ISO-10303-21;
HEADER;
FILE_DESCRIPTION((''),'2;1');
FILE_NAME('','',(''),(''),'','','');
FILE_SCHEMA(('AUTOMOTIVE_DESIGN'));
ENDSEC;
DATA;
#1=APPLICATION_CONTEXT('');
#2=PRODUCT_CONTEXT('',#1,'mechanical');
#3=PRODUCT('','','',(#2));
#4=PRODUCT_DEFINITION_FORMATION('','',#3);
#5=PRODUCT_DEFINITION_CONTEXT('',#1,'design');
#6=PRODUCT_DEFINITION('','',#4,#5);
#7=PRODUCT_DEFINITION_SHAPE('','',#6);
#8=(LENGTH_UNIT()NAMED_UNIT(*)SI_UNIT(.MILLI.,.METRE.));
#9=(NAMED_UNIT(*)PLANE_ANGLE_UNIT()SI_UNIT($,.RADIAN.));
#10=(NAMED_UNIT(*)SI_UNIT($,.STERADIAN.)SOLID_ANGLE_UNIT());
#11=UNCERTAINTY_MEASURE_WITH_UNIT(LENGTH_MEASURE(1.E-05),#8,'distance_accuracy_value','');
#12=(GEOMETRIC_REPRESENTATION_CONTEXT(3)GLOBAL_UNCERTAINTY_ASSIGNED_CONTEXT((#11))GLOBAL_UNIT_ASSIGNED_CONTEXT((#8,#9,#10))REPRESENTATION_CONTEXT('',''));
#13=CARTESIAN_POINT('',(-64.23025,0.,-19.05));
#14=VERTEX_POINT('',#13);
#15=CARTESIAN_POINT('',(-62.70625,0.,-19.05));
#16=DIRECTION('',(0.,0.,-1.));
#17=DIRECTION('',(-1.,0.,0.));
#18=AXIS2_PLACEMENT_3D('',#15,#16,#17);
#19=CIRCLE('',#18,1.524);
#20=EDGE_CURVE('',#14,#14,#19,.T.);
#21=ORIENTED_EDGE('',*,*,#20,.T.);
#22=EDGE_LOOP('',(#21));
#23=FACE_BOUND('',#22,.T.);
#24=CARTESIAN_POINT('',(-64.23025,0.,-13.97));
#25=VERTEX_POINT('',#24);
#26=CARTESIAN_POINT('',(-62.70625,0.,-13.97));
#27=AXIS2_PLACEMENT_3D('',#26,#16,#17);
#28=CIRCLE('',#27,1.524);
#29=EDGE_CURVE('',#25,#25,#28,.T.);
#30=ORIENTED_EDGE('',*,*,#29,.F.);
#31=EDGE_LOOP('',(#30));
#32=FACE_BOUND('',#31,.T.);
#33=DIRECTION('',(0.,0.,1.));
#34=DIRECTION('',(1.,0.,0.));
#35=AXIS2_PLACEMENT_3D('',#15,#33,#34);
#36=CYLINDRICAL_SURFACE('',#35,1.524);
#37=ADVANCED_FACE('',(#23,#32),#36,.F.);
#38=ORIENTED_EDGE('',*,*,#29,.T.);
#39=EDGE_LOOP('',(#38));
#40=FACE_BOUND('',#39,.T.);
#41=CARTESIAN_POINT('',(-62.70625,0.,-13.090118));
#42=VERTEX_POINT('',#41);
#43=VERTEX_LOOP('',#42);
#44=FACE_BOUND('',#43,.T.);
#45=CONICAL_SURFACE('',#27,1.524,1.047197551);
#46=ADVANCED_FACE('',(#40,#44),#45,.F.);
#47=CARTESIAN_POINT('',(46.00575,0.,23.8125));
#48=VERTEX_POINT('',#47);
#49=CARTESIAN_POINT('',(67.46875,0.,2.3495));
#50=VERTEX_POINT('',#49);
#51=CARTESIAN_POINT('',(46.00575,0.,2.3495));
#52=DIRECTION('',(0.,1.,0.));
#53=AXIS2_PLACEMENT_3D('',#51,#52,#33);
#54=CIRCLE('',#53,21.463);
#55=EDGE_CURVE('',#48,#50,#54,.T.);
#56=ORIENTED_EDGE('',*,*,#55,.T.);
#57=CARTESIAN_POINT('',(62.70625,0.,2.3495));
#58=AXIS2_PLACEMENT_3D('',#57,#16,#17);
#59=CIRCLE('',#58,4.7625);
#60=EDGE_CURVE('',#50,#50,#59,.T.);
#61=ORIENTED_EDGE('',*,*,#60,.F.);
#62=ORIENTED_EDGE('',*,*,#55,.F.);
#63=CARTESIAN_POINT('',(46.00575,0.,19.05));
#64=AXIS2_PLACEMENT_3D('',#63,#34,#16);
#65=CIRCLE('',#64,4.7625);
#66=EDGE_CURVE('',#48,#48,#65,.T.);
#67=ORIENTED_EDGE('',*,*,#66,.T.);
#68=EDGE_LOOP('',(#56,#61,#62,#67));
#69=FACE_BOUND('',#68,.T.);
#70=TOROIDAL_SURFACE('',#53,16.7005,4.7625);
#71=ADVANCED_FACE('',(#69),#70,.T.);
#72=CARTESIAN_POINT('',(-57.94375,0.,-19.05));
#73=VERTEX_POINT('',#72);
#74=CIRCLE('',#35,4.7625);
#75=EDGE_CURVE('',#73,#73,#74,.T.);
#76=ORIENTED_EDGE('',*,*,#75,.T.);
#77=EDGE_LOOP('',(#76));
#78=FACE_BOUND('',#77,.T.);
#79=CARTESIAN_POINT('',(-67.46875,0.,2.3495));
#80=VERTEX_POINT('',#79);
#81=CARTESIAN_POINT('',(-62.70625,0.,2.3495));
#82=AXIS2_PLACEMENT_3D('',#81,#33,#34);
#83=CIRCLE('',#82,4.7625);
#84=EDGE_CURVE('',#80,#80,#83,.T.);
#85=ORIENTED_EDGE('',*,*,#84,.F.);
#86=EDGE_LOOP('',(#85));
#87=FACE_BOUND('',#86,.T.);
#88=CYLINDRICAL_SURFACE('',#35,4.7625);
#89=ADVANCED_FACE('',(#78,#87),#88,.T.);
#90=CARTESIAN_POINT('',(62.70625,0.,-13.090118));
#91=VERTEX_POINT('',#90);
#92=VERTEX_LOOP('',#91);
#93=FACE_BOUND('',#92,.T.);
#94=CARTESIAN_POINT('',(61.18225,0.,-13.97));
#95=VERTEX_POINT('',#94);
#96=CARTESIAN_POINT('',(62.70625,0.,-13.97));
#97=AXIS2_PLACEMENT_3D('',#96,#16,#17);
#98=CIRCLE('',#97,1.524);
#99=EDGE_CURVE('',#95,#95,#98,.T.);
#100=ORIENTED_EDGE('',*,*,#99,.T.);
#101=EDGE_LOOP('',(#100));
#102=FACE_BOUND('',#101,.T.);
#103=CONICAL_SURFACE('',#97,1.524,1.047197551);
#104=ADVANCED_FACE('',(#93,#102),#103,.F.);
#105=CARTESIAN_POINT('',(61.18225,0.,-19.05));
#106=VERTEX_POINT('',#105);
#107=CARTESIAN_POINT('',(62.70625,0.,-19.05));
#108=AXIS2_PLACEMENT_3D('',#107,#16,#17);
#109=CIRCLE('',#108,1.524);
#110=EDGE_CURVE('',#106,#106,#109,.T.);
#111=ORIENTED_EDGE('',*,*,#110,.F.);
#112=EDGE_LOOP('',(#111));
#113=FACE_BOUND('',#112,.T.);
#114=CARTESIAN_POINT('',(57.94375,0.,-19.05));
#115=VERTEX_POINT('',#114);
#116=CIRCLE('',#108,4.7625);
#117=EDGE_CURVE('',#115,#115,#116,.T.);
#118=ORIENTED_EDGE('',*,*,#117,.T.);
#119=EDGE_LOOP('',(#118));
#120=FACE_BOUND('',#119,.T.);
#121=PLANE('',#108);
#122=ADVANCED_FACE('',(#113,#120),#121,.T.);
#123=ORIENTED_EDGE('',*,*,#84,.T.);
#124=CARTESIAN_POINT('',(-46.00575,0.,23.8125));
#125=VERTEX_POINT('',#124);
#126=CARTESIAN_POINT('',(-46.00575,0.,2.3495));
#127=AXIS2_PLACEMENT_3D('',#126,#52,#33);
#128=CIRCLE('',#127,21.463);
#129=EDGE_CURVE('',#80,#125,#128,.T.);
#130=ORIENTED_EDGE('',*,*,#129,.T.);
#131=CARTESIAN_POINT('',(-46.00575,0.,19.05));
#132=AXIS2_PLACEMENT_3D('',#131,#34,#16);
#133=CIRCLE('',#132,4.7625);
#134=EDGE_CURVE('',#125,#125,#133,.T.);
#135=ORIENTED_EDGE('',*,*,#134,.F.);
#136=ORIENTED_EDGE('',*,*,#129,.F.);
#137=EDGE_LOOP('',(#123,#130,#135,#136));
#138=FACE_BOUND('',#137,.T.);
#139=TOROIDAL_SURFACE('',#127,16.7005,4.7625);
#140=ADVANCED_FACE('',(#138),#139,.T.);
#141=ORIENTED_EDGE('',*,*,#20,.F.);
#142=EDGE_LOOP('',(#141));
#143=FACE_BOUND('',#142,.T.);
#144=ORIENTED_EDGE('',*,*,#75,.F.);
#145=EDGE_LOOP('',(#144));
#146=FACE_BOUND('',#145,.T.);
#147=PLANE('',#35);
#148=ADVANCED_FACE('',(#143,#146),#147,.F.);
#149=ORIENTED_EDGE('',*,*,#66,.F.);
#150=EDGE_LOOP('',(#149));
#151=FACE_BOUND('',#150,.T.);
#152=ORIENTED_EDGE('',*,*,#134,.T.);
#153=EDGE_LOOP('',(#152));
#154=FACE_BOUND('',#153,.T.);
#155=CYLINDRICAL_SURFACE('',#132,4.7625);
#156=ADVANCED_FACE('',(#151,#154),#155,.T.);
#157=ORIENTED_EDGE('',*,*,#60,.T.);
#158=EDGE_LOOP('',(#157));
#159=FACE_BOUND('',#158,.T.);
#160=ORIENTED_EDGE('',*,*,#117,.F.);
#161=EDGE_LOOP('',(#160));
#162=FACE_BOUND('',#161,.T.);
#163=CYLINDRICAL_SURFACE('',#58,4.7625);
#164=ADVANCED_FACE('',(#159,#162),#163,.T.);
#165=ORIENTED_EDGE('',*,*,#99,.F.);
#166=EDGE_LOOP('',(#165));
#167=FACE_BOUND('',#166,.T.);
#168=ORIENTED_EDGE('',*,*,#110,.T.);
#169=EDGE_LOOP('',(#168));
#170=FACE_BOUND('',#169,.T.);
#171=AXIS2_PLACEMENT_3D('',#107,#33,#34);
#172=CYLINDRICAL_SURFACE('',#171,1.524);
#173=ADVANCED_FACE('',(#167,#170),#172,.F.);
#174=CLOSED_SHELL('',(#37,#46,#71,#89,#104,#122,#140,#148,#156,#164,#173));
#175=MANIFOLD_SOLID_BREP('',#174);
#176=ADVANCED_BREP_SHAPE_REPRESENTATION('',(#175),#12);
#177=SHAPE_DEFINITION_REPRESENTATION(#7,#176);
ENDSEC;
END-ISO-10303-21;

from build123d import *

# Parameters (mm, degrees)
SKETCH2_R                     = 4.7625
LOCATION_START                = -5.08
SKETCH4_R                     = 1.524
LOCATION_HOLE_OTHER_WAY_DEPTH = 81.074387678


with BuildPart() as part:
    # Handle: sweep along a path in Sketch3
    with BuildLine(Plane(origin=(0, 0, 0), x_dir=(1, 0, 0), z_dir=(0, 1, 0))) as handle_path:
        Line((62.70625, 19.05), (62.70625, -2.3495))
        ThreePointArc((62.70625, -2.3495), (57.814786799, -14.158536799), (46.00575, -19.05))
        Line((46.00575, -19.05), (-46.00575, -19.05))
        ThreePointArc((-46.00575, -19.05), (-57.814786799, -14.158536799), (-62.70625, -2.3495))
        Line((-62.70625, -2.3495), (-62.70625, 19.05))
    # Sketch2 → Handle (sweep)
    with BuildSketch(Plane.XY.offset(-19.05)):
        with Locations((-62.70625, 0)):
            Circle(SKETCH2_R)
    sweep(path=handle_path.line)

    # Location Hole cone 1 section (through the dimple's axis) → Location Hole (revolve, cut)
    with BuildSketch(Plane(origin=(-62.70625, 0, -13.97), x_dir=(0, 1, 0), z_dir=(1, 0, 0))):
        Polygon((0, 0), (1.524, 0), (0, 0.87988181), align=None)
    revolve(axis=Axis((-62.70625, 0, -13.97), (0, 0, 1)), mode=Mode.SUBTRACT)

    # Location Hole cone 2 section (through the dimple's axis) → Location Hole cone 2 (revolve, cut)
    with BuildSketch(Plane(origin=(62.70625, 0, -13.97), x_dir=(0, 1, 0), z_dir=(1, 0, 0))):
        Polygon((0, 0), (1.524, 0), (0, 0.87988181), align=None)
    revolve(axis=Axis((62.70625, 0, -13.97), (0, 0, 1)), mode=Mode.SUBTRACT)

    # Sketch4 → Location Hole other way (cut)
    with BuildSketch(Plane(origin=(0, 0, -19.05), x_dir=(-1, 0, 0), z_dir=(0, 0, -1)).offset(LOCATION_START)):
        with Locations((62.70625, 0)):
            Circle(SKETCH4_R)
        with Locations((-62.70625, 0)):
            Circle(SKETCH4_R)
    extrude(amount=LOCATION_HOLE_OTHER_WAY_DEPTH, mode=Mode.SUBTRACT)


solid = part.part
